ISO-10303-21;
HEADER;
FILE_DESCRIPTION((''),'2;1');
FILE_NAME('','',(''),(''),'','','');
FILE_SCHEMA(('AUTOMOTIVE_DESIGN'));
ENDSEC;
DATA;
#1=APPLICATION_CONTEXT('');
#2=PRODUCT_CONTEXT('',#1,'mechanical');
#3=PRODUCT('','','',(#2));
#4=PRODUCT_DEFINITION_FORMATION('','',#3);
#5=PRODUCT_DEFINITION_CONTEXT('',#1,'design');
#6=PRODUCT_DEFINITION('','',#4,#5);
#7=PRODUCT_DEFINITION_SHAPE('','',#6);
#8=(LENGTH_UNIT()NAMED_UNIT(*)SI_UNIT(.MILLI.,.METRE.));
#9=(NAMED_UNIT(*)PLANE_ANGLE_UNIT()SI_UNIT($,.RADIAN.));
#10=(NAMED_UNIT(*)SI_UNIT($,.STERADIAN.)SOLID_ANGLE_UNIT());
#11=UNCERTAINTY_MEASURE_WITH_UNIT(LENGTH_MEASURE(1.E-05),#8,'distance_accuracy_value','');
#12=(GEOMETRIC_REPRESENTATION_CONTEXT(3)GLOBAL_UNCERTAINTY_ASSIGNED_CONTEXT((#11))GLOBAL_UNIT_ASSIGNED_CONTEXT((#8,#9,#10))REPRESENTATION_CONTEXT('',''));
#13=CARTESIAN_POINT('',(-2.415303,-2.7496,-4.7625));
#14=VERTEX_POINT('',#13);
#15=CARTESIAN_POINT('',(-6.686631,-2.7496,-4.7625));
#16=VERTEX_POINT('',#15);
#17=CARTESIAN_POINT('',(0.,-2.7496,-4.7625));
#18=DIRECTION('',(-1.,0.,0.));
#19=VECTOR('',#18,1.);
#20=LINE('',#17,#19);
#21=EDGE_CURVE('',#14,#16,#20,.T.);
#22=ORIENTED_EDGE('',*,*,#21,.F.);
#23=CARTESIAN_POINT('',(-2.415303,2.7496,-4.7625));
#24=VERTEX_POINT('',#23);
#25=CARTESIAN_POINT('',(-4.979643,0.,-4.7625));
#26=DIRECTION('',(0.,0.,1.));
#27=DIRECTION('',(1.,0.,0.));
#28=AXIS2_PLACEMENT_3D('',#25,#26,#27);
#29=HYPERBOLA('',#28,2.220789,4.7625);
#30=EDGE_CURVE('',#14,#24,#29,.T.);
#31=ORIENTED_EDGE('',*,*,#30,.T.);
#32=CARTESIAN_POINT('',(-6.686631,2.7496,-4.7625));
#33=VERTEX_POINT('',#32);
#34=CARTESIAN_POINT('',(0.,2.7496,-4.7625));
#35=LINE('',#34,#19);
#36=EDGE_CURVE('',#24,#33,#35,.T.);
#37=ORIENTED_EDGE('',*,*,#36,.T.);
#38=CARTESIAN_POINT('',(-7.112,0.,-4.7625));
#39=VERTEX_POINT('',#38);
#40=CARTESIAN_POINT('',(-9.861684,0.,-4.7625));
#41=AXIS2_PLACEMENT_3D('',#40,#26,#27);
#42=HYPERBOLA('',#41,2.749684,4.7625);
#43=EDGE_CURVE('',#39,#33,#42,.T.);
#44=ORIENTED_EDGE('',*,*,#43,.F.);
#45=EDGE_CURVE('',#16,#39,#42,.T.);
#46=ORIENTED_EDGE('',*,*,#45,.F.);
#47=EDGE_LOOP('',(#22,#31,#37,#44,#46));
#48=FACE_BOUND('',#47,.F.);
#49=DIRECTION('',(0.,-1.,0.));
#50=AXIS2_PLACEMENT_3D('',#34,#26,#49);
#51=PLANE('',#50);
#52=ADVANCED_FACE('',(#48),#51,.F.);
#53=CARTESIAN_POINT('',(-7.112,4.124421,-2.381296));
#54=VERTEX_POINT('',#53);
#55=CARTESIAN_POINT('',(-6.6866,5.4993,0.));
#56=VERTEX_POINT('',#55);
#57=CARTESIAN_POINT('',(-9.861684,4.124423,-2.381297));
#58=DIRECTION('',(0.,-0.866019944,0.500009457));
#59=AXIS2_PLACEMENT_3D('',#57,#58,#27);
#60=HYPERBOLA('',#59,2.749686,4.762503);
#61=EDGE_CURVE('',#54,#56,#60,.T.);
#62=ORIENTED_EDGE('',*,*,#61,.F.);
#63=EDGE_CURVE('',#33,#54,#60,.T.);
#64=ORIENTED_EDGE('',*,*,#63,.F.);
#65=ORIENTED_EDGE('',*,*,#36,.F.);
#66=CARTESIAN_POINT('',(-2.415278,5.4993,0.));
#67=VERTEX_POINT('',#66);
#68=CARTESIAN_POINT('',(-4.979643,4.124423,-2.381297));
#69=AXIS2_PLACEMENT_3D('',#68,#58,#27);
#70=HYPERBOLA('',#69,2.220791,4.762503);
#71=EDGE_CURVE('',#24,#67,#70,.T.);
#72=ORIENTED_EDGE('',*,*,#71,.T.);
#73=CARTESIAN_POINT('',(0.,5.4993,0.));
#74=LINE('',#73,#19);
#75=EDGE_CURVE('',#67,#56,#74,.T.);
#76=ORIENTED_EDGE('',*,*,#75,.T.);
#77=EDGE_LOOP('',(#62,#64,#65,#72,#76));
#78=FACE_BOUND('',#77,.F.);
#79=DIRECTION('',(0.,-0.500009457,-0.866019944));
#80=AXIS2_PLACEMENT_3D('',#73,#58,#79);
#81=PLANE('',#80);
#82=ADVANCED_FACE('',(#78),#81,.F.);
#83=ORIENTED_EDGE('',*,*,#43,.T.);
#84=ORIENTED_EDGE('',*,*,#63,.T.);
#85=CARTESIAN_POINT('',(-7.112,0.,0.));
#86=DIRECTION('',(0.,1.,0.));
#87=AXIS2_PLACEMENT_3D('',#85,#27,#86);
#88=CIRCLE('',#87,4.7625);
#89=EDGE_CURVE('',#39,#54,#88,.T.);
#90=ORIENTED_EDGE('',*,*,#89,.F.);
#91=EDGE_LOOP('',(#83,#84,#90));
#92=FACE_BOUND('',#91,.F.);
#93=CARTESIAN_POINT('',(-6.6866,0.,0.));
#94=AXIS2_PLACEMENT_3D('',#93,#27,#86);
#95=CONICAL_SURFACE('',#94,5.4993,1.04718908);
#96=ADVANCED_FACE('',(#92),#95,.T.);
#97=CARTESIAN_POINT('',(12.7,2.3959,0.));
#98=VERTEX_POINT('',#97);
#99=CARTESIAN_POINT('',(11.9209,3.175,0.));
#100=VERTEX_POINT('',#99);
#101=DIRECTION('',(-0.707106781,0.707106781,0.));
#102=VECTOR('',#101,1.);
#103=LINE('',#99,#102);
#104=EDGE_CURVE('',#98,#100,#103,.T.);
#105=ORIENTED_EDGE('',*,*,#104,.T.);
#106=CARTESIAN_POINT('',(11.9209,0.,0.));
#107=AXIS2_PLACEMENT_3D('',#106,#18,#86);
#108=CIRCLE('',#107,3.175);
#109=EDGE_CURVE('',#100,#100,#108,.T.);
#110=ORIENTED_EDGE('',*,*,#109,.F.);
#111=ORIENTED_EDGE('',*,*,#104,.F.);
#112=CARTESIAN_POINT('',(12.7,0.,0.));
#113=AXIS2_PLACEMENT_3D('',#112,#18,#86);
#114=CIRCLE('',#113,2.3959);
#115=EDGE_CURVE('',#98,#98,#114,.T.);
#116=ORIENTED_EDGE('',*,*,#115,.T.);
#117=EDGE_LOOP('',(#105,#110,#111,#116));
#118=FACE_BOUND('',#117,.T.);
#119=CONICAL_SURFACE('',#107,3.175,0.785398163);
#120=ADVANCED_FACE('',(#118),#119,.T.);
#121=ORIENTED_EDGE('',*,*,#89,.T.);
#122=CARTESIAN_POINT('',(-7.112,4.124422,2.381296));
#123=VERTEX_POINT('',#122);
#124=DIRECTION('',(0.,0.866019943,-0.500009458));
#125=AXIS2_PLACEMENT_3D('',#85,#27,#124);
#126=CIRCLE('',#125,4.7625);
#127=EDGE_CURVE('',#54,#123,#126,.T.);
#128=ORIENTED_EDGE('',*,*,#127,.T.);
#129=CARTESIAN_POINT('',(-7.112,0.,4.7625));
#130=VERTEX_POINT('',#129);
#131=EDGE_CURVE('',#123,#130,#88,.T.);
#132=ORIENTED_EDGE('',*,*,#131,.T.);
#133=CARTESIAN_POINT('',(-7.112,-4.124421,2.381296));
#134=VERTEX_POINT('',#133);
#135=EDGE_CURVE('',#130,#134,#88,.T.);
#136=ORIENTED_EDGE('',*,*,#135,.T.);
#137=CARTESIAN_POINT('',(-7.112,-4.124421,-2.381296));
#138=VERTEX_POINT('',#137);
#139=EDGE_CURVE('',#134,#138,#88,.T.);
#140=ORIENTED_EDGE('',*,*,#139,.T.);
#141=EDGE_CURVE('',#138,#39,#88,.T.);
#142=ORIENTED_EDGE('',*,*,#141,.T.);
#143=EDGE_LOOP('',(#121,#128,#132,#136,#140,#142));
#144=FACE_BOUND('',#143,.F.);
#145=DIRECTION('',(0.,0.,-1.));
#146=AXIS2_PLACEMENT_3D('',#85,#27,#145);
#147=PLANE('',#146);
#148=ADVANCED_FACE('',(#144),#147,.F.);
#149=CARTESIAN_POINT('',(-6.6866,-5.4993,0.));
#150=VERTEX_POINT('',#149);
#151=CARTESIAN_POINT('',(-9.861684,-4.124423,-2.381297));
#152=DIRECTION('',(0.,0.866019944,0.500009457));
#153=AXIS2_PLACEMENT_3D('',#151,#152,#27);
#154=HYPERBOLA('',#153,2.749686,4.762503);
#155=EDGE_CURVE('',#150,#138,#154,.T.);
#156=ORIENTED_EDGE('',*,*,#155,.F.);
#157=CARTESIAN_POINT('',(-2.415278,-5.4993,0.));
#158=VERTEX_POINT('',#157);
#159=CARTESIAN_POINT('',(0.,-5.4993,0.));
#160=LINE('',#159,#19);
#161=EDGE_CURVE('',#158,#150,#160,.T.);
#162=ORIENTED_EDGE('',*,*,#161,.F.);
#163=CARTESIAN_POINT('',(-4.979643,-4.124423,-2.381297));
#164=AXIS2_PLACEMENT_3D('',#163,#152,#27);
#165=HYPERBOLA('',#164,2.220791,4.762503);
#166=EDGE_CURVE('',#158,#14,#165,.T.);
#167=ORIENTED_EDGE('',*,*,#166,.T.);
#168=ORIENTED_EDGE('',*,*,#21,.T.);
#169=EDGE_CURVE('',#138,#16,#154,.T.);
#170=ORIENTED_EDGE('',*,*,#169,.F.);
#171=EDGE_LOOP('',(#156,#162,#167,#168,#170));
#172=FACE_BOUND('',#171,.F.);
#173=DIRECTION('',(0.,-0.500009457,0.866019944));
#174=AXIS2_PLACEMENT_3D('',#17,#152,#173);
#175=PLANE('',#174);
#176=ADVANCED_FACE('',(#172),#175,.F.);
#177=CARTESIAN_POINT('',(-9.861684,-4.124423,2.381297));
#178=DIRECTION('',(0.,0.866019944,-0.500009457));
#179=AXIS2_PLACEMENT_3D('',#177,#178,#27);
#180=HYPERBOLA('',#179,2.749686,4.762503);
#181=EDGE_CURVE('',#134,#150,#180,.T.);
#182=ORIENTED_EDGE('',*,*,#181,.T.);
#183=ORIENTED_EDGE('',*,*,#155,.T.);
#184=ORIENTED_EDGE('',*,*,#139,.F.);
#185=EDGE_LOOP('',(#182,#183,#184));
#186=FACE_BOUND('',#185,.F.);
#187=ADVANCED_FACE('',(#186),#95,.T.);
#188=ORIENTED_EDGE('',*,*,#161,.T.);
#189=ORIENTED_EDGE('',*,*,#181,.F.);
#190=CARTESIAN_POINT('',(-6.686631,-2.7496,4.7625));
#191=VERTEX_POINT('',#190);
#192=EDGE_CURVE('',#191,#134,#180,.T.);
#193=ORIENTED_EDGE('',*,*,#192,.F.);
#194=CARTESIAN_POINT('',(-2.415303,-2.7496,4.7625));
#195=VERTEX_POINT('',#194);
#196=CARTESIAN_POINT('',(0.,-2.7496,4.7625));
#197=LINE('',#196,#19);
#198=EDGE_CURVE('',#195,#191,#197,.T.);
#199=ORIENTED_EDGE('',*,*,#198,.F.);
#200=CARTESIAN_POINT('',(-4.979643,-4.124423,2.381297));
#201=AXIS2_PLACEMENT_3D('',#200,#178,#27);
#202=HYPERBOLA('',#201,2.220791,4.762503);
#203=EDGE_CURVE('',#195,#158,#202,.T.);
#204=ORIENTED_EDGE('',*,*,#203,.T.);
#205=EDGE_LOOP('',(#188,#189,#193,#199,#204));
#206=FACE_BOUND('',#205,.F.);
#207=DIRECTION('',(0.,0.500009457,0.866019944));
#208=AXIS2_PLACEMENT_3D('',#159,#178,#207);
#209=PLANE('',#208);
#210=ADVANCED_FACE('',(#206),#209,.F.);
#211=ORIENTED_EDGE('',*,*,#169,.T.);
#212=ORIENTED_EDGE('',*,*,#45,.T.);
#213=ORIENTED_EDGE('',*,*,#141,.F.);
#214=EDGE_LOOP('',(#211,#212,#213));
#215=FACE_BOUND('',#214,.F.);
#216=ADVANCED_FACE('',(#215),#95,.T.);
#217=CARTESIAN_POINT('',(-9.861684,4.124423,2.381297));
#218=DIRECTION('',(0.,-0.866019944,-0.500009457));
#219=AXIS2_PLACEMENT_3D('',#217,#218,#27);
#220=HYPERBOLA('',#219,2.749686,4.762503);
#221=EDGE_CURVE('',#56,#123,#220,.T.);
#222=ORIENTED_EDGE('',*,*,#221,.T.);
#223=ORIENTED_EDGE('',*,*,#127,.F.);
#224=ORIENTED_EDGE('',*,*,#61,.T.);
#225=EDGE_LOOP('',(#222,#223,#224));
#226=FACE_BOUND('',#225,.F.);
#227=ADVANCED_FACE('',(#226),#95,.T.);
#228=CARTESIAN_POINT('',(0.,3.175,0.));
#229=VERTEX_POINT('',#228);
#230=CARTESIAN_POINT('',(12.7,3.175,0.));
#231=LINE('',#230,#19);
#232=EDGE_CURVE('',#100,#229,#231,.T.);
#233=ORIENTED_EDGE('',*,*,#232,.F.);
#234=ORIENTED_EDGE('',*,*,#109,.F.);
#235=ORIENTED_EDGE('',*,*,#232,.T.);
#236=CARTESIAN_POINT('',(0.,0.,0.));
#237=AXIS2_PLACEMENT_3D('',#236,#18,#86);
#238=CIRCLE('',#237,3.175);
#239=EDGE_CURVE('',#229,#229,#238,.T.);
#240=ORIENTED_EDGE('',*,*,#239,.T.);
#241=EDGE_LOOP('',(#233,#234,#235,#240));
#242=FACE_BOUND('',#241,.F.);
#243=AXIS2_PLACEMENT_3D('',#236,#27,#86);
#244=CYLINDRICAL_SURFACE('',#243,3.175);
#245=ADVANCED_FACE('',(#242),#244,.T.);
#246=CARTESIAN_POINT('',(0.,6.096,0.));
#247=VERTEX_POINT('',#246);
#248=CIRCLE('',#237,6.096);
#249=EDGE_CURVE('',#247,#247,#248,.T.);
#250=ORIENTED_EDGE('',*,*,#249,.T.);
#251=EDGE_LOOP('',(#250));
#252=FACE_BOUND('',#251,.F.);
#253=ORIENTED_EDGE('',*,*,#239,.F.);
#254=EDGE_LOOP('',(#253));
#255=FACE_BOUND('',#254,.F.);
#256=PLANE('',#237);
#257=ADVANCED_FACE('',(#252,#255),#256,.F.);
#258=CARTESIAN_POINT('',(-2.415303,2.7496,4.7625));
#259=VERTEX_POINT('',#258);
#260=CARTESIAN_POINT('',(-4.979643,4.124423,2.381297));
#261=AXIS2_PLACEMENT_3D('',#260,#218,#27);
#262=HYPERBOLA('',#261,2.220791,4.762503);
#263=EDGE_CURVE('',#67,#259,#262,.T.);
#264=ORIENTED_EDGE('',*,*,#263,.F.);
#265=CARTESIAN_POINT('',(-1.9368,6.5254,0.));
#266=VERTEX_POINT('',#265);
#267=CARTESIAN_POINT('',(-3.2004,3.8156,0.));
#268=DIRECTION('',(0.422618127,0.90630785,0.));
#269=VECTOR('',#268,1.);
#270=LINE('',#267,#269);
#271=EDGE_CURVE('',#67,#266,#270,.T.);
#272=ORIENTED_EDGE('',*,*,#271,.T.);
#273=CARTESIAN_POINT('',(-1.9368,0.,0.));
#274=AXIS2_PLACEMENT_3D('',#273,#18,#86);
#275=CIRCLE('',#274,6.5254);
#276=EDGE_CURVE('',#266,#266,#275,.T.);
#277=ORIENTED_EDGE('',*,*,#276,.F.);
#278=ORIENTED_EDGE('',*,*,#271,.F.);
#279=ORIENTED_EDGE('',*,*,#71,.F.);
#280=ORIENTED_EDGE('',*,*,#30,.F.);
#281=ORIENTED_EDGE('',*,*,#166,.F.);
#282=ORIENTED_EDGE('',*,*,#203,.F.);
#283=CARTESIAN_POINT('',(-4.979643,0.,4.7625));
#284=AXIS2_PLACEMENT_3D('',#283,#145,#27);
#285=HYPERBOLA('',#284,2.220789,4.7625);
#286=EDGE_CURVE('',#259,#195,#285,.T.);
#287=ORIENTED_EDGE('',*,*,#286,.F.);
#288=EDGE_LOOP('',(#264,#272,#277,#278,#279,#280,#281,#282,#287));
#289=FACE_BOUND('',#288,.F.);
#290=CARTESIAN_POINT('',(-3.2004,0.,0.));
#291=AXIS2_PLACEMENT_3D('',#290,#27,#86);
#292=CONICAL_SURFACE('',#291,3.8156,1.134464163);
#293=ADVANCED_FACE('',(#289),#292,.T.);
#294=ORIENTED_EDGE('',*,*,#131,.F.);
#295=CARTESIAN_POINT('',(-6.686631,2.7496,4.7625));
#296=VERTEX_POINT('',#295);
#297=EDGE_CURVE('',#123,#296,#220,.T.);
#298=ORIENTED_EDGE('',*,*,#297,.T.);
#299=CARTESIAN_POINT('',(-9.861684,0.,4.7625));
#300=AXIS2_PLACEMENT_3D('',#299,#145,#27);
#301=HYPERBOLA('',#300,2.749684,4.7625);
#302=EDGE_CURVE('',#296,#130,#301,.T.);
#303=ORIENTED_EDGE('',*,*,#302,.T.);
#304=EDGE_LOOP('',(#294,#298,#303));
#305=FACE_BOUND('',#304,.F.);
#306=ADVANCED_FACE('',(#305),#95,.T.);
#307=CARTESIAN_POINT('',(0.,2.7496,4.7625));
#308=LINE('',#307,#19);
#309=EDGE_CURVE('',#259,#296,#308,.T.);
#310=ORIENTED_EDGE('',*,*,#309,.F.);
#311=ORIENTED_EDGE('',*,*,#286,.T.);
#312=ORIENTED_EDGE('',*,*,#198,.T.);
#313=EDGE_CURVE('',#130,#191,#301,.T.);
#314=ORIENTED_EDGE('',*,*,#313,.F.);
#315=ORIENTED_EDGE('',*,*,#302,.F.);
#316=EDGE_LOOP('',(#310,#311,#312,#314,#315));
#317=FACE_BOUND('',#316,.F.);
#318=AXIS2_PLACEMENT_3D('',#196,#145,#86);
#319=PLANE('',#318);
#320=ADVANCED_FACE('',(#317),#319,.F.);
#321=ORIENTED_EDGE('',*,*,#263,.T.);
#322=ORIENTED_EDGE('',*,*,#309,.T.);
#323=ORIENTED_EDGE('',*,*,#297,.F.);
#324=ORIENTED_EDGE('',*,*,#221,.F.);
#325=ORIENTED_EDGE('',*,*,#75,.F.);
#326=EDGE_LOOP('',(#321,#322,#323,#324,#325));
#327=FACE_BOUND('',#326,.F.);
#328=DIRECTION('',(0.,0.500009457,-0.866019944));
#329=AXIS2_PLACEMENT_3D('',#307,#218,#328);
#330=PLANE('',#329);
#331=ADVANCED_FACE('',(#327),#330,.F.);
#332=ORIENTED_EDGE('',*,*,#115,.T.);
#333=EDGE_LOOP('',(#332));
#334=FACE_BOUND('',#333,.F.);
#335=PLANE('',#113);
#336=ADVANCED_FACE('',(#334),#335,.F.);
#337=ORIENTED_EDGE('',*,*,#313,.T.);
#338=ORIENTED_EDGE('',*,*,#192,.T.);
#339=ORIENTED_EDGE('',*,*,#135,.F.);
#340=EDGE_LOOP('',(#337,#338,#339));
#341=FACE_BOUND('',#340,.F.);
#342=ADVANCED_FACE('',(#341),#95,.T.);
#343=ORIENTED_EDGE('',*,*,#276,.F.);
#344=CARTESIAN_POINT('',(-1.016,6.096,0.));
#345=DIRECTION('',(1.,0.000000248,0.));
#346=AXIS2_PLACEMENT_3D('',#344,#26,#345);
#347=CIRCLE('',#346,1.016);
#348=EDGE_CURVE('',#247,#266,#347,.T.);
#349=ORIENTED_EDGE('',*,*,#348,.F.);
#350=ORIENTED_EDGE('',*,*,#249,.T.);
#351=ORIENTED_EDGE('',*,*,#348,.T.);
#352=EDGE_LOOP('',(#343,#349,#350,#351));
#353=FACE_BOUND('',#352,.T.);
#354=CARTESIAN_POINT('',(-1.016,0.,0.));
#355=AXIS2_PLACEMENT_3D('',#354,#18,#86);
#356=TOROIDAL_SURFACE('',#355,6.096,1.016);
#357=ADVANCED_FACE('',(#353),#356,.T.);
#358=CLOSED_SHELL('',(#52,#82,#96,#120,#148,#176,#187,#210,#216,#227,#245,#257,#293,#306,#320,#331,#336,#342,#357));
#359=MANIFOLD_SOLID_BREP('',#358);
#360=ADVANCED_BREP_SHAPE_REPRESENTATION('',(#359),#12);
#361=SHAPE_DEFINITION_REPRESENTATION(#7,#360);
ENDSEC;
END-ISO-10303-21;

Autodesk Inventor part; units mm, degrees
ref_plane "YZ Plane" through (0, 0, 0) normal (1, 0, 0) x (0, 1, 0)
ref_plane "XZ Plane" through (0, 0, 0) normal (0, 1, 0) x (-1, 0, 0)
sketch "Sketch1" plane through (0, 0, 0) normal (0, 0, 1) x (1, 0, 0)
  line L0 (-3.2004, 0) -> (-3.2004, 3.8156)
  line L1 (0, 6.096) -> (0, 3.175)
  line L2 (1.905, 3.175) -> (12.7, 3.175)
  line L3 (12.7, 3.175) -> (12.7, 0)
  line L4 (12.7, 0) -> (-3.2004, 0)
  arc A0 (0, 6.096) -> (-1.9368, 6.5254) centre (-1.016, 6.096) ccw
  line L5 (0, -1.4605) -> (0, 8.7631) projected
  line L6 (-6.3805, 0) -> (15.8801, 0) projected
  line L7 (0, 3.175) -> (0.0001, 3.175)
  line L8 (0.0001, 3.175) -> (0.0001, 3.175)
  line L9 (0.0001, 3.175) -> (0.635, 3.175)
  line L10 (0.635, 3.175) -> (1.905, 3.175)
  line L11 (-3.2004, 3.8156) -> (-1.9368, 6.5254)
  line L12 (0.0001, 3.175) -> (1.905, 3.175) construction
  line L13 (1.905, 3.175) -> (1.905, 0) construction
  dimension "d0" = 1.016
  dimension "d1" = 12.7
  dimension "d2" = 10.795
  dimension "d3" = 14.224
  dimension "d4" = 6.35
  dimension "d5" = 3.2004
  dimension "d15" = 6.35
  dimension "d16" = 6.35
  dimension "d17" = 0.0001
  dimension "d18" = 1.27
  dimension "d19" = 25
revolve "Body" add sketch "Sketch1" angle 360 about axis through (12.7, 0, 0) along (-1, 0, 0)
sketch "Sketch2" plane through (0, 0, 0) normal (1, 0, 0) x (0, 0, -1)
  line L0 (4.7625, 2.7496) -> (4.7625, -2.7496)
  line L1 (4.7625, -2.7496) -> (0, -5.4993)
  line L2 (0, -5.4993) -> (-4.7625, -2.7496)
  line L3 (-4.7625, -2.7496) -> (-4.7625, 2.7496)
  line L4 (-4.7625, 2.7496) -> (0, 5.4993)
  line L5 (0, 5.4993) -> (4.7625, 2.7496)
  point P0 (0, 0)
  point P1 (0, 0)
  dimension "d23" = 9.525
extrude "Head" add sketch "Sketch2" against normal blind 7.112
sketch "Sketch3" plane through (0, 0, 0) normal (0, 0, 1) x (1, 0, 0)
  line L0 (-7.112, 4.7625) -> (-7.112, 5.4993)
  line L1 (-7.112, 5.4993) -> (-6.6866, 5.4993)
  line L2 (-6.6866, 5.4993) -> (-7.112, 4.7625)
  line L3 (-8.0513, 0) -> (-1.476, 0) projected
  line L4 (-7.112, 5.4993) -> (-7.112, 2.7496) projected
  line L5 (-2.4153, 5.4993) -> (-7.112, 5.4993) projected
  point P0 (-7.112, 2.7496)
  dimension "d8" = 30
  dimension "d22" = 9.525
revolve "Chamfer1" cut sketch "Sketch3" angle 360 about axis through (-10, 0, 0) along (1, 0, 0)
thread "Thread" size "1/4-20 UNC" class "2A" standard "ANSI Unified Screw Threads" length 10.795
chamfer "Chamfer2" distance 0.7791 distance2 0.7791 1 edges at (12.7, -3.175, 0) measured on face at (12.7, 1.0583, 0)
ref_plane "Work Plane1" through (10.95, 0, 0) normal (0, 0, -1) x (1, 0, 0)
equation "\"d0\" = PHH"
equation "\"d1\" = NLG"
equation "\"d2\" = GEL"
equation "\"d3\" = LADI"
equation "\"d4\" = GD"
equation "\"d5\" = 0.45 * KOH"
equation "\"d15\" = SD2"
equation "\"d16\" = BDM"
equation "\"d18\" = GAL"
equation "\"d19\" = KEWI"
equation "\"d23\" = SW"
equation "\"d6\" = KOH"
equation "\"d8\" = ANG1"
equation "\"d22\" = SW0"
equation "\"d10\" = GEL"
equation "\"d13\" = -0.5 * SPD + 0.5 * GD"
equation "\"d14\" = GUL"
equation "\"NLG\" = 12.7"
equation "\"GD\" = NND"
equation "\"BDM\" = NND"
equation "\"KOH\" = 7.112"
equation "\"GEL\" = 10.795"
equation "\"LADI\" = 14.224"
equation "\"SW\" = 9.525"
equation "\"PHH\" = 1.016"
equation "\"SW0\" = SW"
equation "\"SPD\" = 4.79184"
equation "\"SD2\" = NND"
equation "\"SD\" = 0"
equation "\"ANG1\" = 30deg"
equation "\"KEWI\" = 25deg"
equation "\"GAL\" = 1.27"
equation "\"GUL\" = 0.77908"
equation "\"THREADDIA\" = 6.35"
equation "\"SDH\" = SW"
equation "\"TOA\" = 30deg"
equation "\"NND\" = 6.35"
equation "\"E0\" = 1.155 * SW"
equation "\"GD1\" = 4.79184"
properties part number "IFI 111 - 1/4-20 UNC x 0.5" material "Steel, Mild"
